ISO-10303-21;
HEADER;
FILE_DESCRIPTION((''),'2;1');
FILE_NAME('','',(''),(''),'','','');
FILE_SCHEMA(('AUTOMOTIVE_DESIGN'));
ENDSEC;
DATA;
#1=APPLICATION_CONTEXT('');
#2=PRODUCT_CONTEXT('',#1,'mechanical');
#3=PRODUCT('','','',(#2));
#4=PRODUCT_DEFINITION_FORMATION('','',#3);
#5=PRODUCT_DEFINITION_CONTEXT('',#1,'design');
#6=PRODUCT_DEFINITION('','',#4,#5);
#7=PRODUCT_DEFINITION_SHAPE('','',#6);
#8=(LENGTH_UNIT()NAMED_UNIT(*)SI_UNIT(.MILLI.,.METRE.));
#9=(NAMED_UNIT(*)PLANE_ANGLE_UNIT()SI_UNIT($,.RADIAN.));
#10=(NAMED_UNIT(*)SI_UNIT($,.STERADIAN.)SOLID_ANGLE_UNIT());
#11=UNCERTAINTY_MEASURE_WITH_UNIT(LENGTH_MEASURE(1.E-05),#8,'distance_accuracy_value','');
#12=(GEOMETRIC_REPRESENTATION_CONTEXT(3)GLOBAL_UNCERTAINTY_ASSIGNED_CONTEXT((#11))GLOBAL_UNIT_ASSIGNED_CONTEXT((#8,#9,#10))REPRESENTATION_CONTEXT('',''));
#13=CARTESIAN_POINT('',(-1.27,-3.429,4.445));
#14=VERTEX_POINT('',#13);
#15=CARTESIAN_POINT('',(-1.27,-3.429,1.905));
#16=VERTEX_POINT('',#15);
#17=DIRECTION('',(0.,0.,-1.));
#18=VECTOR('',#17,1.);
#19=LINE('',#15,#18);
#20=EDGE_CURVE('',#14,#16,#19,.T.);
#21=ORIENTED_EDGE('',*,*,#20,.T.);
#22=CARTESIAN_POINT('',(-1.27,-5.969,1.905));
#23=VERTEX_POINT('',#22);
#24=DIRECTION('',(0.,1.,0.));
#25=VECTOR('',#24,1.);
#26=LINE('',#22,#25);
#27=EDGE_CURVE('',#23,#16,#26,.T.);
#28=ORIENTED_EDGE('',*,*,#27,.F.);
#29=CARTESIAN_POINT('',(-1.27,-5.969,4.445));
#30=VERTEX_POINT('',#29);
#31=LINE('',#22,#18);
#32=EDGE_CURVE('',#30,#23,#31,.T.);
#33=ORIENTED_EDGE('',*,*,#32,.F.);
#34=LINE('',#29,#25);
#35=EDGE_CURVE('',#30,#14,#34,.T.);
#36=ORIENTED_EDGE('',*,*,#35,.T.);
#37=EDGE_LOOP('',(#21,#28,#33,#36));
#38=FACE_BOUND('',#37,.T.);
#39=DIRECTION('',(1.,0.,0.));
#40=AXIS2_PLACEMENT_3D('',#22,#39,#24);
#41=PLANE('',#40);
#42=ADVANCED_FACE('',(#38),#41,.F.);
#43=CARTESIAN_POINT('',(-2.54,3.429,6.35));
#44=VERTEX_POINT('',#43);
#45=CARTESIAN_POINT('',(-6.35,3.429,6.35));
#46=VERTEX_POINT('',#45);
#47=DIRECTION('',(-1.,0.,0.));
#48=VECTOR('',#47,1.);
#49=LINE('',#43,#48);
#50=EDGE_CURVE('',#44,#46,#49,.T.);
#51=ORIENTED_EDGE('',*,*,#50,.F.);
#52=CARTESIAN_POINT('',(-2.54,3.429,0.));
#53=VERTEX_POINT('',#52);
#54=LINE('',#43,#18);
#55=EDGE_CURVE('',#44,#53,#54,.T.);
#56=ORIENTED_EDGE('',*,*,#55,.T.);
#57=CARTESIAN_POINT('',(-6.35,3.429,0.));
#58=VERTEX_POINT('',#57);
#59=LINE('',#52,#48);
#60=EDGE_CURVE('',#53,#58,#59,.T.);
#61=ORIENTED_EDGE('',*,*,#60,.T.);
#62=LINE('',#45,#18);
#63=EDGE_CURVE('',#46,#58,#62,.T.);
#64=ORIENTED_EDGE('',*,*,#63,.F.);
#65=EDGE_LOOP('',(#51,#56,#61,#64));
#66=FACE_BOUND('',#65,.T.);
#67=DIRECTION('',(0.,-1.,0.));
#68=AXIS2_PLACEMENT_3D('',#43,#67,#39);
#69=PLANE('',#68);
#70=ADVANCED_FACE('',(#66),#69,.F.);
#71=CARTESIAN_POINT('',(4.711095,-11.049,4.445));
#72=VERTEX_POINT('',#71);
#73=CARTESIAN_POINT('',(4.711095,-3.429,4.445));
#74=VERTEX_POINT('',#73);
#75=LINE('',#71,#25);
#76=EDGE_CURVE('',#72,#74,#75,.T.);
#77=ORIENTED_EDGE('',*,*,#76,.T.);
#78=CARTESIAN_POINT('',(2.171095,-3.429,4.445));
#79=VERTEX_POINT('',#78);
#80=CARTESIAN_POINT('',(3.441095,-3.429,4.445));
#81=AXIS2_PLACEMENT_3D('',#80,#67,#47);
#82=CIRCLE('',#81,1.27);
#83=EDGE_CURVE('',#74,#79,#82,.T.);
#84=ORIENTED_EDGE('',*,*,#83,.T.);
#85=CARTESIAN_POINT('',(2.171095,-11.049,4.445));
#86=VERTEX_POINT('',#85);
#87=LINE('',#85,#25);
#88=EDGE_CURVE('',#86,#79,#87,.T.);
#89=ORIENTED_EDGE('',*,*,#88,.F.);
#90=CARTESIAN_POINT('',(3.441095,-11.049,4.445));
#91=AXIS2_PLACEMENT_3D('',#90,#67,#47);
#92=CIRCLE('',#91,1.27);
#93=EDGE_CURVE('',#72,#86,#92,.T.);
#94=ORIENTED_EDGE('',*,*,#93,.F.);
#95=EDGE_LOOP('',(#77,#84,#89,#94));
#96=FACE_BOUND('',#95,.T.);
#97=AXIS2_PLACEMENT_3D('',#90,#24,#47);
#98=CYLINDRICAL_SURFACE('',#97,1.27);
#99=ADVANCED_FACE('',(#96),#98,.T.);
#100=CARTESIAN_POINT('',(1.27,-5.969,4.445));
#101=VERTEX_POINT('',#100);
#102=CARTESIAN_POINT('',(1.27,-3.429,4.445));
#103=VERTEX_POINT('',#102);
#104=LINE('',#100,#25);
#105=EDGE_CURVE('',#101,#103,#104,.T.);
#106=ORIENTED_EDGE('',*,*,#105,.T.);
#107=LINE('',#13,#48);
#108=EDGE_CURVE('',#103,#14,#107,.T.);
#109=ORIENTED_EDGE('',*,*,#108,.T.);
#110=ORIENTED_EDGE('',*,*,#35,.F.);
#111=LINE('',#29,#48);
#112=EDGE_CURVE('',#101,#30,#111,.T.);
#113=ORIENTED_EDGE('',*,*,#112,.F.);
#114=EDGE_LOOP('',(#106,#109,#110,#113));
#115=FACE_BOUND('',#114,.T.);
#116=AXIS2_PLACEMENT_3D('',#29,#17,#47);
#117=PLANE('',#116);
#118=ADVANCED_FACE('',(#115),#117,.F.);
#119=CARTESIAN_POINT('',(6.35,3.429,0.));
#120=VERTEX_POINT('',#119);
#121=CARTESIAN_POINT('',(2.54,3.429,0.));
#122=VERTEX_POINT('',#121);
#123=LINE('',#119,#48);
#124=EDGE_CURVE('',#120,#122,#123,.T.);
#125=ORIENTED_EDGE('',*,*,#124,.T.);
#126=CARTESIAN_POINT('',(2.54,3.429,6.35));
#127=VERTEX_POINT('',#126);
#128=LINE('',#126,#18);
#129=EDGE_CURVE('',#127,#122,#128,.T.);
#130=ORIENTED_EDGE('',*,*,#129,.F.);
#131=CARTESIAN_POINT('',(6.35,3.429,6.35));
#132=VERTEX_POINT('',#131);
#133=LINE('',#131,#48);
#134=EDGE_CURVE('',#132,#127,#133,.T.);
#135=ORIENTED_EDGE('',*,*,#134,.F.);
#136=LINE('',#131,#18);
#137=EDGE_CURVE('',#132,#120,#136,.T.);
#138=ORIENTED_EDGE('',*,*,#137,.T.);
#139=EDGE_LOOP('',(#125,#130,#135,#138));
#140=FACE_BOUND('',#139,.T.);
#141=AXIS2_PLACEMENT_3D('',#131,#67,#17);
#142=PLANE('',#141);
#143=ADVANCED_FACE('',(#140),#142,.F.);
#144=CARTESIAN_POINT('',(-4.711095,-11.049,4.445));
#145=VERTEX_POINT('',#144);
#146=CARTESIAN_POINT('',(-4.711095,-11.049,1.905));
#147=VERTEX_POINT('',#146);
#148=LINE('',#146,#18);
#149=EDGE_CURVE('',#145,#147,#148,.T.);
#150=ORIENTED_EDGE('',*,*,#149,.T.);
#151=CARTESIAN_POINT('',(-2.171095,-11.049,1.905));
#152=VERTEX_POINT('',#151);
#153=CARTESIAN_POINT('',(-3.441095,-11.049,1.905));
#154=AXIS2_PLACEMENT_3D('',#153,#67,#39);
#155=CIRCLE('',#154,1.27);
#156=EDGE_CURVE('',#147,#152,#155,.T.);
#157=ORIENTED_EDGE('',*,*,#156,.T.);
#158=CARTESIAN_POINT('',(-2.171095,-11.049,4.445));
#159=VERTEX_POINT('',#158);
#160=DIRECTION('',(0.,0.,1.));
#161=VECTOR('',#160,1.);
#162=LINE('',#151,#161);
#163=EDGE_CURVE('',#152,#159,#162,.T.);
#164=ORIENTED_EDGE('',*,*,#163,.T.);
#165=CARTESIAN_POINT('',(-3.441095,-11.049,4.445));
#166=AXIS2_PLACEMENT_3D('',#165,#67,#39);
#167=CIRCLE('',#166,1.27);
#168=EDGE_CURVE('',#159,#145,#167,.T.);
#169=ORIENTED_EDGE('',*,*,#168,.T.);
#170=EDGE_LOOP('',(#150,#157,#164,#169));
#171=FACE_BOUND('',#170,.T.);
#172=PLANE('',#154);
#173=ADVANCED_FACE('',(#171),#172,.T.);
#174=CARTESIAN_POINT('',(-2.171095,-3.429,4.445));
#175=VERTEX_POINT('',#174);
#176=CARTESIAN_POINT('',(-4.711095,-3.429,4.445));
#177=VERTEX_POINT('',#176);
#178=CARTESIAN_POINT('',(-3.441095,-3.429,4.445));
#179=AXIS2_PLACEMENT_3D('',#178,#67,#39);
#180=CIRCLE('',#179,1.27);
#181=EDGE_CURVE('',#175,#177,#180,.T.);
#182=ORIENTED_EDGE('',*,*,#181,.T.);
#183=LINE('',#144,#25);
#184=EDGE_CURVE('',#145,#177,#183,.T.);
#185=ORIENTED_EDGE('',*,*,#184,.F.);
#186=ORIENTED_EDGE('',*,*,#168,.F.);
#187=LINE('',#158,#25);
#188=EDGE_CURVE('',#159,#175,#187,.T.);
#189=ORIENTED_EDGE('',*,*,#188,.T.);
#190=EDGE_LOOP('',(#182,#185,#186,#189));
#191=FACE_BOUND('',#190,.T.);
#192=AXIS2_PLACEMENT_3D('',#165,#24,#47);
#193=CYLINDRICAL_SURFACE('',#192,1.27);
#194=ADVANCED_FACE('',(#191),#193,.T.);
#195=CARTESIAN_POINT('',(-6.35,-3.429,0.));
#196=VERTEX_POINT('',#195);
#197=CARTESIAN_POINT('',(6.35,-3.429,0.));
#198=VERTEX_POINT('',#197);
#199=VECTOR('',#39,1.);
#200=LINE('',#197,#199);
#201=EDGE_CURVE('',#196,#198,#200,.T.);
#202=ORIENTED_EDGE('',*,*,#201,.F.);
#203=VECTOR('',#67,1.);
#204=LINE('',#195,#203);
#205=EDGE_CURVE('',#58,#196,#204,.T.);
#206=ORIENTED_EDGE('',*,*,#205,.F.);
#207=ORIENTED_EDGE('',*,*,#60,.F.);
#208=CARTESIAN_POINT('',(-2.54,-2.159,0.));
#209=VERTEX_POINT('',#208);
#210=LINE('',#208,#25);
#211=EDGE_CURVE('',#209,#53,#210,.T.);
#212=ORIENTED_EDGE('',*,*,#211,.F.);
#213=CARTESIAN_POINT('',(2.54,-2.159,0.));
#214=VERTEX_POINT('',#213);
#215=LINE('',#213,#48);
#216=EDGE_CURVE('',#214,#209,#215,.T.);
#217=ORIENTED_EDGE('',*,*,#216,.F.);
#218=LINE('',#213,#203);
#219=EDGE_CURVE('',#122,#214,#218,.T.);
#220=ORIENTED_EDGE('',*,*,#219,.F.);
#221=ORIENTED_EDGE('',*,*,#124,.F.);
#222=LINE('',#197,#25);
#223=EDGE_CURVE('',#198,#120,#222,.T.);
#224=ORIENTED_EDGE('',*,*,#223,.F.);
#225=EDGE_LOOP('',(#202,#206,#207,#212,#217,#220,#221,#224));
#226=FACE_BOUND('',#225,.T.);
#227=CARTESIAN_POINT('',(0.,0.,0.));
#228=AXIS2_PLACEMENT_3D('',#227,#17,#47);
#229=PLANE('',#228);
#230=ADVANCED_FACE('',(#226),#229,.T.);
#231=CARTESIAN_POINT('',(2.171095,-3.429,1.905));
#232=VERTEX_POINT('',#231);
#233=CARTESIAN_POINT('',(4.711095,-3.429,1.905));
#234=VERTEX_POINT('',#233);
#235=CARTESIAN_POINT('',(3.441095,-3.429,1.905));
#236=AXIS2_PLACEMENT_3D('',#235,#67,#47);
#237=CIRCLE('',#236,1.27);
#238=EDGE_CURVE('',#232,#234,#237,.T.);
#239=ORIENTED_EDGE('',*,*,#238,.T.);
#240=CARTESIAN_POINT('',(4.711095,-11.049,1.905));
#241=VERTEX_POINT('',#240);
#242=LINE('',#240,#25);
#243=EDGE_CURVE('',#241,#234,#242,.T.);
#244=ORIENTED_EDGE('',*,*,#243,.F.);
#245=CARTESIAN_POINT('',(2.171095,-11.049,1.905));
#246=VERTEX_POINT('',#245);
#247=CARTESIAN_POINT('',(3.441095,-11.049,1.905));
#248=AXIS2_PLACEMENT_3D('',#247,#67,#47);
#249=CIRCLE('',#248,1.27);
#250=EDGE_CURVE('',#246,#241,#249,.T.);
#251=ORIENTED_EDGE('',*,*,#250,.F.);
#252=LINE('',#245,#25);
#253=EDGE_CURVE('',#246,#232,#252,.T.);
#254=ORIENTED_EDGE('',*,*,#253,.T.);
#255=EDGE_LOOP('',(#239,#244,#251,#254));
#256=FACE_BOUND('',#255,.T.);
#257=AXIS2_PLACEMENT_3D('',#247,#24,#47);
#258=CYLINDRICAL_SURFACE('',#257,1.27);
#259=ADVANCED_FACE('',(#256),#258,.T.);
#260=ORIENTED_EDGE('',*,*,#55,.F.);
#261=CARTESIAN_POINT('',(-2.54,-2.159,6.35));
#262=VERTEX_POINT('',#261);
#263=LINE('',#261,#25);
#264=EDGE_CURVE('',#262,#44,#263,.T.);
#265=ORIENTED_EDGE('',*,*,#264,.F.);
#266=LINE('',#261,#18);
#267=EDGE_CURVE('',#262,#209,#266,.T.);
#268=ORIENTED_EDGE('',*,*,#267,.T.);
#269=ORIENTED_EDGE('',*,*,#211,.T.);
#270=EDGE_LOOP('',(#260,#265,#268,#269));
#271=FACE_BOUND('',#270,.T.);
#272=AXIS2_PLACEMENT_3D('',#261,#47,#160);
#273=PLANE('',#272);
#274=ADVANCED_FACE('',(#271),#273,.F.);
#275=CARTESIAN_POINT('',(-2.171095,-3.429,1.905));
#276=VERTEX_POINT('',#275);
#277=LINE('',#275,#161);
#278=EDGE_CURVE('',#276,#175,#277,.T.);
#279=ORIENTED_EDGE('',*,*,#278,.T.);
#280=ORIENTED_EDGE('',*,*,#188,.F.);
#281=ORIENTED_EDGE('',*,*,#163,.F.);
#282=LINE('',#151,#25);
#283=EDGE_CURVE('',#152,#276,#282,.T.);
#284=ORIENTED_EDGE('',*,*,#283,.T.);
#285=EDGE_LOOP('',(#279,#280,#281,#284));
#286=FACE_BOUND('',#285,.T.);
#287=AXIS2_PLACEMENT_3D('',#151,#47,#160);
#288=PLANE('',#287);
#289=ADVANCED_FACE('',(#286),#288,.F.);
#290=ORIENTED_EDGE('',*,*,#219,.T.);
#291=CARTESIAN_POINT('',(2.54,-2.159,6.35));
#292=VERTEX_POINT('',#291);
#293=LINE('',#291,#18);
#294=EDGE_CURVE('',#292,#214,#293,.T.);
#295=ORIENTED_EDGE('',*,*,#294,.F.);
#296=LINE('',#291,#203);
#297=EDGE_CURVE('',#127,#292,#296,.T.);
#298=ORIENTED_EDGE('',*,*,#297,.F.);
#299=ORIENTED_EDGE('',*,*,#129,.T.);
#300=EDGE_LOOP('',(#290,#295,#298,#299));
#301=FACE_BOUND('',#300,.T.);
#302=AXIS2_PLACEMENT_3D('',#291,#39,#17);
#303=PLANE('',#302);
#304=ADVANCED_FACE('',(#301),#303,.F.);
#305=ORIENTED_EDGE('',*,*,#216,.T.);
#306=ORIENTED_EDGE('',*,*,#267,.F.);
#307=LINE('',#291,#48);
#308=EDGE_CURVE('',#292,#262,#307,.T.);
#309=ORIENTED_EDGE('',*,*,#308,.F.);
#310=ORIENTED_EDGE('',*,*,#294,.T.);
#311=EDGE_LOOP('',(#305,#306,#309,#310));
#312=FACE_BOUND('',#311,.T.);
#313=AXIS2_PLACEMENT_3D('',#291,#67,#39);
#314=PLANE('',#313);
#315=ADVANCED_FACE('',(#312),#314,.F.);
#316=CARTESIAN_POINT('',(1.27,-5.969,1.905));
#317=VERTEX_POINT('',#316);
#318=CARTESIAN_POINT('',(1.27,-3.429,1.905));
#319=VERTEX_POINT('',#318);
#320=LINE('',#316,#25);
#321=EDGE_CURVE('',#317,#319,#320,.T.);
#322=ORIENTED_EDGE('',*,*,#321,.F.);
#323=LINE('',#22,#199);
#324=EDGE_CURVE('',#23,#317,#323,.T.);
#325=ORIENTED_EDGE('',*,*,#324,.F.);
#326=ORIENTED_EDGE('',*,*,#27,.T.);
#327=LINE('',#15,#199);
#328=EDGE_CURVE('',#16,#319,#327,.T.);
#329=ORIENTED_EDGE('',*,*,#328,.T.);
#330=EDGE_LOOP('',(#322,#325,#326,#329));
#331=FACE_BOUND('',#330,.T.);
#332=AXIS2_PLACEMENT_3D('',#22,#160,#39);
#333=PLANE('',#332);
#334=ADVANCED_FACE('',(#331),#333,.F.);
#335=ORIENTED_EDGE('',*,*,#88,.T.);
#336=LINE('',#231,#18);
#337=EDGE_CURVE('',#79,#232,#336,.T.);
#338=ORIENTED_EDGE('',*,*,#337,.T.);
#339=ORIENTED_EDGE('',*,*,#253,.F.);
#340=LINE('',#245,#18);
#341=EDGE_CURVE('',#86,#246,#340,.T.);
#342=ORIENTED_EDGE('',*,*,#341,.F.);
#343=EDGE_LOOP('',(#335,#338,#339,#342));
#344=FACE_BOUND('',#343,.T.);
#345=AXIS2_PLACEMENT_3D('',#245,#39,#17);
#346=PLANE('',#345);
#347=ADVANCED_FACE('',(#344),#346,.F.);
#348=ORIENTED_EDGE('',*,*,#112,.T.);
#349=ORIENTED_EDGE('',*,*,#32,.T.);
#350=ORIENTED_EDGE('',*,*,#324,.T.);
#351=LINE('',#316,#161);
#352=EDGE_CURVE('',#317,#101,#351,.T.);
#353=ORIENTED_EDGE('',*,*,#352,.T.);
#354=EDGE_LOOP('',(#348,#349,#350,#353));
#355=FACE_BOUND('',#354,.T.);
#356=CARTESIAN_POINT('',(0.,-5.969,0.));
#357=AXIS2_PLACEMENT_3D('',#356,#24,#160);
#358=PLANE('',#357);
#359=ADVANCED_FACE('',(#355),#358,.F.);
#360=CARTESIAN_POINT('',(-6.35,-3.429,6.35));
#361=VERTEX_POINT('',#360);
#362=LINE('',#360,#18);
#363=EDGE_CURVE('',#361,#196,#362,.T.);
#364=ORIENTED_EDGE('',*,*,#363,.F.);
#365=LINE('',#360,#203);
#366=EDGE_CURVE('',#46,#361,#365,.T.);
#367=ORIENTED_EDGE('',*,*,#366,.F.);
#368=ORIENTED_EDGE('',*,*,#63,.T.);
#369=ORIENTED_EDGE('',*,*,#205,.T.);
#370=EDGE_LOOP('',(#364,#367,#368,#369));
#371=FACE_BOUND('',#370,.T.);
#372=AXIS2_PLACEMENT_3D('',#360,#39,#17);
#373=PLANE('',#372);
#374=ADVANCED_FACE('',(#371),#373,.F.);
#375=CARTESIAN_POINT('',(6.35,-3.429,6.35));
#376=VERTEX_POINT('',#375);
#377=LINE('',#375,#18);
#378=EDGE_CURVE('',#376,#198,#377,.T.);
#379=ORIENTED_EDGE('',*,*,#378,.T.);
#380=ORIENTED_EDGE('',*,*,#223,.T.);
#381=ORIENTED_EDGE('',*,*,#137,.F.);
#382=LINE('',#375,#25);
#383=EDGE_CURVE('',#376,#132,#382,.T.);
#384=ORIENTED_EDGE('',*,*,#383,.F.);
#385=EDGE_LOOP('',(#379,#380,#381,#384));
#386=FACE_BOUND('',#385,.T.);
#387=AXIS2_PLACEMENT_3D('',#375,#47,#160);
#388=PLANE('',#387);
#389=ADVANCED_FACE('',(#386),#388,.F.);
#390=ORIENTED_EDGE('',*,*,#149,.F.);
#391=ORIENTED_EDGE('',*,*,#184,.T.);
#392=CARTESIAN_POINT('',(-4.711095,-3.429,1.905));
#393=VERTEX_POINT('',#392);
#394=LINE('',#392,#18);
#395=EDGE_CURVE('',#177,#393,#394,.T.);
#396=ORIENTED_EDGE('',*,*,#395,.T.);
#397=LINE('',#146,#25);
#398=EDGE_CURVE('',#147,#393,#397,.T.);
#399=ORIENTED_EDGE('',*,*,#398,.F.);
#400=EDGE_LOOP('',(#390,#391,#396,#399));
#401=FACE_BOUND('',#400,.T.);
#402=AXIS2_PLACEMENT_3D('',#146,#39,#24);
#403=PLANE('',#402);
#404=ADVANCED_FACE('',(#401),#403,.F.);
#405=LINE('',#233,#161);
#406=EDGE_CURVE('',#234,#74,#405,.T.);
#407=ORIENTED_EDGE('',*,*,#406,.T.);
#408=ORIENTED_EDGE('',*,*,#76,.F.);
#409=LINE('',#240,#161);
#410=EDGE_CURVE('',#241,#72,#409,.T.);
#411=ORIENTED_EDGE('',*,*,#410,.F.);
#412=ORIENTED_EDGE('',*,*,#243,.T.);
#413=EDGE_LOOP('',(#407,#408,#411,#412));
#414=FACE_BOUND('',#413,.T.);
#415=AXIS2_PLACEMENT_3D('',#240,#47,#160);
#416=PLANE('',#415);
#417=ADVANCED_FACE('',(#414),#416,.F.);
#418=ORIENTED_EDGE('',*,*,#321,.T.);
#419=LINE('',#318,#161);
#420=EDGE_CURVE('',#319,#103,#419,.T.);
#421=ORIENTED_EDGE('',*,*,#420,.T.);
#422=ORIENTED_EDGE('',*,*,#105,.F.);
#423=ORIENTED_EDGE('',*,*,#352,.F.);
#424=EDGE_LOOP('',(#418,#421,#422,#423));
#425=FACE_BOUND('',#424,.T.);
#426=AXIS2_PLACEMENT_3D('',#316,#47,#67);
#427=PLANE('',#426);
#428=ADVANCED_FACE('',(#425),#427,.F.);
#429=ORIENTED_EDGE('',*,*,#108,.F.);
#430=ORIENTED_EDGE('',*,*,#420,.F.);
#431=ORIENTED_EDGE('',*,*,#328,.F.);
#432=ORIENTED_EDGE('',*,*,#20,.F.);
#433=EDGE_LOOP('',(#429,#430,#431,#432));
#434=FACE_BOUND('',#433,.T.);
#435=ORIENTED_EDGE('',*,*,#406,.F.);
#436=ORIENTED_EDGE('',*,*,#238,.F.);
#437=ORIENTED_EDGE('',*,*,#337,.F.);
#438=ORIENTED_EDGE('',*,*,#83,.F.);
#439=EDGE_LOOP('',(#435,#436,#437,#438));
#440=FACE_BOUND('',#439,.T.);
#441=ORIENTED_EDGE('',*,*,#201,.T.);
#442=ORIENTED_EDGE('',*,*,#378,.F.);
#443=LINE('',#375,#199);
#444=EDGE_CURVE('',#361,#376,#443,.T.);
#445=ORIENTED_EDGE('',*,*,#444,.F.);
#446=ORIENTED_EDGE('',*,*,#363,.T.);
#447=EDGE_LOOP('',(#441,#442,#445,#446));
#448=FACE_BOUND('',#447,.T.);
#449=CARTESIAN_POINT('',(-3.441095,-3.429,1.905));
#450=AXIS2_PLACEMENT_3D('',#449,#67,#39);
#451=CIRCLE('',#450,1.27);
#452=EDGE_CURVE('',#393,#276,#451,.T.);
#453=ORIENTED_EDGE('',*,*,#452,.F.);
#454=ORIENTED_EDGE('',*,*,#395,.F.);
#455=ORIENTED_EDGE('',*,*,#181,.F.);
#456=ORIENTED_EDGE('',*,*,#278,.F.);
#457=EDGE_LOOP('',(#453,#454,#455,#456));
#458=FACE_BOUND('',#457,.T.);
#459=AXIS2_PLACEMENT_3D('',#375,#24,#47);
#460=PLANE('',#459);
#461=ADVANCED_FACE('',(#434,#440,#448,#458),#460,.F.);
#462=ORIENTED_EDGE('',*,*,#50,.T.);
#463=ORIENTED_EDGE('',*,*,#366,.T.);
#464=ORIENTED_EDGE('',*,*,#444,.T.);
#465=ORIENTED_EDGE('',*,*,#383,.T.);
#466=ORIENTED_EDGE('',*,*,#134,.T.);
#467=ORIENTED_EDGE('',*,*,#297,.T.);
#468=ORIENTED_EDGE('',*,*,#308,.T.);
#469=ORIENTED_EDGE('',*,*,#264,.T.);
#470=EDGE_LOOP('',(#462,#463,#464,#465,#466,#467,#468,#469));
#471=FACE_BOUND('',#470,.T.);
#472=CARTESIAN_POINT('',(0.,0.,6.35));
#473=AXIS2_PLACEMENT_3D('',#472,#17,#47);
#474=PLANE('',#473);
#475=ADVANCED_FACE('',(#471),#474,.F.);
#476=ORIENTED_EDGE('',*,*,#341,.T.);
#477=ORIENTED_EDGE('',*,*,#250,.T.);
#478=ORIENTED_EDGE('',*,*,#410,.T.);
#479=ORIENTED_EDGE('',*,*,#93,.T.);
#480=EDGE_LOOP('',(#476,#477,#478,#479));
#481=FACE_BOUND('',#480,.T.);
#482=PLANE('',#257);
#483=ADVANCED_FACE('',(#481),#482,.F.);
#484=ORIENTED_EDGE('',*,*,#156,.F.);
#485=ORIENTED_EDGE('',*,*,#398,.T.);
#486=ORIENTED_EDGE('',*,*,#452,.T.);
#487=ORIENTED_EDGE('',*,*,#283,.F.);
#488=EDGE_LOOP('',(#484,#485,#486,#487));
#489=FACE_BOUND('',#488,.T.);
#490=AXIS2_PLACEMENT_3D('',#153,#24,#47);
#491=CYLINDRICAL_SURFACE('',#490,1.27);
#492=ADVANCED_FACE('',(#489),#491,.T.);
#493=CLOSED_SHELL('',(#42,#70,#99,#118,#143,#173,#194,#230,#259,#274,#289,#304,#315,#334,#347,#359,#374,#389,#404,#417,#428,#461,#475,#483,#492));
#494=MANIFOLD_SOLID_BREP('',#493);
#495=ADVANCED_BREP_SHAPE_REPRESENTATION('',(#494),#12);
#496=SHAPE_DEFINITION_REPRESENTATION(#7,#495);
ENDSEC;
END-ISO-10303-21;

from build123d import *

# Parameters (mm, degrees)
BOSS_EXTRUDE1_DEPTH = 6.35
SKETCH2_W           = 2.54
SKETCH2_H           = 2.54
BOSS_EXTRUDE2_DEPTH = 2.54
BOSS_EXTRUDE3_DEPTH = 7.62


with BuildPart() as part:
    # Sketch1 → Boss-Extrude1 (new body)
    with BuildSketch(Plane.XY):
        Polygon((6.35, -3.429), (-6.35, -3.429), (-6.35, 3.429), (-2.54, 3.429), (-2.54, -2.159), (2.54, -2.159), (2.54, 3.429), (6.35, 3.429), align=None)
    extrude(amount=BOSS_EXTRUDE1_DEPTH)

    # Sketch2 → Boss-Extrude2 (add)
    with BuildSketch(Plane.XZ.offset(3.429)):
        with Locations((0, 3.175)):
            Rectangle(SKETCH2_W, SKETCH2_H)
    extrude(amount=BOSS_EXTRUDE2_DEPTH)

    # Sketch3 → Boss-Extrude3 (add)
    with BuildSketch(Plane.XZ.offset(3.429)):
        with BuildLine():
            Line((-4.711095298, 1.905), (-4.711095298, 4.445))
            ThreePointArc((-4.711095298, 4.445), (-3.441095298, 5.715), (-2.171095298, 4.445))
            Line((-2.171095298, 4.445), (-2.171095298, 1.905))
            ThreePointArc((-2.171095298, 1.905), (-3.441095298, 0.635), (-4.711095298, 1.905))
        make_face()
        with BuildLine():
            Line((4.711095298, 1.905), (4.711095298, 4.445))
            ThreePointArc((4.711095298, 4.445), (3.441095298, 5.715), (2.171095298, 4.445))
            Line((2.171095298, 4.445), (2.171095298, 1.905))
            ThreePointArc((2.171095298, 1.905), (3.441095298, 0.635), (4.711095298, 1.905))
        make_face()
    extrude(amount=BOSS_EXTRUDE3_DEPTH)


solid = part.part
